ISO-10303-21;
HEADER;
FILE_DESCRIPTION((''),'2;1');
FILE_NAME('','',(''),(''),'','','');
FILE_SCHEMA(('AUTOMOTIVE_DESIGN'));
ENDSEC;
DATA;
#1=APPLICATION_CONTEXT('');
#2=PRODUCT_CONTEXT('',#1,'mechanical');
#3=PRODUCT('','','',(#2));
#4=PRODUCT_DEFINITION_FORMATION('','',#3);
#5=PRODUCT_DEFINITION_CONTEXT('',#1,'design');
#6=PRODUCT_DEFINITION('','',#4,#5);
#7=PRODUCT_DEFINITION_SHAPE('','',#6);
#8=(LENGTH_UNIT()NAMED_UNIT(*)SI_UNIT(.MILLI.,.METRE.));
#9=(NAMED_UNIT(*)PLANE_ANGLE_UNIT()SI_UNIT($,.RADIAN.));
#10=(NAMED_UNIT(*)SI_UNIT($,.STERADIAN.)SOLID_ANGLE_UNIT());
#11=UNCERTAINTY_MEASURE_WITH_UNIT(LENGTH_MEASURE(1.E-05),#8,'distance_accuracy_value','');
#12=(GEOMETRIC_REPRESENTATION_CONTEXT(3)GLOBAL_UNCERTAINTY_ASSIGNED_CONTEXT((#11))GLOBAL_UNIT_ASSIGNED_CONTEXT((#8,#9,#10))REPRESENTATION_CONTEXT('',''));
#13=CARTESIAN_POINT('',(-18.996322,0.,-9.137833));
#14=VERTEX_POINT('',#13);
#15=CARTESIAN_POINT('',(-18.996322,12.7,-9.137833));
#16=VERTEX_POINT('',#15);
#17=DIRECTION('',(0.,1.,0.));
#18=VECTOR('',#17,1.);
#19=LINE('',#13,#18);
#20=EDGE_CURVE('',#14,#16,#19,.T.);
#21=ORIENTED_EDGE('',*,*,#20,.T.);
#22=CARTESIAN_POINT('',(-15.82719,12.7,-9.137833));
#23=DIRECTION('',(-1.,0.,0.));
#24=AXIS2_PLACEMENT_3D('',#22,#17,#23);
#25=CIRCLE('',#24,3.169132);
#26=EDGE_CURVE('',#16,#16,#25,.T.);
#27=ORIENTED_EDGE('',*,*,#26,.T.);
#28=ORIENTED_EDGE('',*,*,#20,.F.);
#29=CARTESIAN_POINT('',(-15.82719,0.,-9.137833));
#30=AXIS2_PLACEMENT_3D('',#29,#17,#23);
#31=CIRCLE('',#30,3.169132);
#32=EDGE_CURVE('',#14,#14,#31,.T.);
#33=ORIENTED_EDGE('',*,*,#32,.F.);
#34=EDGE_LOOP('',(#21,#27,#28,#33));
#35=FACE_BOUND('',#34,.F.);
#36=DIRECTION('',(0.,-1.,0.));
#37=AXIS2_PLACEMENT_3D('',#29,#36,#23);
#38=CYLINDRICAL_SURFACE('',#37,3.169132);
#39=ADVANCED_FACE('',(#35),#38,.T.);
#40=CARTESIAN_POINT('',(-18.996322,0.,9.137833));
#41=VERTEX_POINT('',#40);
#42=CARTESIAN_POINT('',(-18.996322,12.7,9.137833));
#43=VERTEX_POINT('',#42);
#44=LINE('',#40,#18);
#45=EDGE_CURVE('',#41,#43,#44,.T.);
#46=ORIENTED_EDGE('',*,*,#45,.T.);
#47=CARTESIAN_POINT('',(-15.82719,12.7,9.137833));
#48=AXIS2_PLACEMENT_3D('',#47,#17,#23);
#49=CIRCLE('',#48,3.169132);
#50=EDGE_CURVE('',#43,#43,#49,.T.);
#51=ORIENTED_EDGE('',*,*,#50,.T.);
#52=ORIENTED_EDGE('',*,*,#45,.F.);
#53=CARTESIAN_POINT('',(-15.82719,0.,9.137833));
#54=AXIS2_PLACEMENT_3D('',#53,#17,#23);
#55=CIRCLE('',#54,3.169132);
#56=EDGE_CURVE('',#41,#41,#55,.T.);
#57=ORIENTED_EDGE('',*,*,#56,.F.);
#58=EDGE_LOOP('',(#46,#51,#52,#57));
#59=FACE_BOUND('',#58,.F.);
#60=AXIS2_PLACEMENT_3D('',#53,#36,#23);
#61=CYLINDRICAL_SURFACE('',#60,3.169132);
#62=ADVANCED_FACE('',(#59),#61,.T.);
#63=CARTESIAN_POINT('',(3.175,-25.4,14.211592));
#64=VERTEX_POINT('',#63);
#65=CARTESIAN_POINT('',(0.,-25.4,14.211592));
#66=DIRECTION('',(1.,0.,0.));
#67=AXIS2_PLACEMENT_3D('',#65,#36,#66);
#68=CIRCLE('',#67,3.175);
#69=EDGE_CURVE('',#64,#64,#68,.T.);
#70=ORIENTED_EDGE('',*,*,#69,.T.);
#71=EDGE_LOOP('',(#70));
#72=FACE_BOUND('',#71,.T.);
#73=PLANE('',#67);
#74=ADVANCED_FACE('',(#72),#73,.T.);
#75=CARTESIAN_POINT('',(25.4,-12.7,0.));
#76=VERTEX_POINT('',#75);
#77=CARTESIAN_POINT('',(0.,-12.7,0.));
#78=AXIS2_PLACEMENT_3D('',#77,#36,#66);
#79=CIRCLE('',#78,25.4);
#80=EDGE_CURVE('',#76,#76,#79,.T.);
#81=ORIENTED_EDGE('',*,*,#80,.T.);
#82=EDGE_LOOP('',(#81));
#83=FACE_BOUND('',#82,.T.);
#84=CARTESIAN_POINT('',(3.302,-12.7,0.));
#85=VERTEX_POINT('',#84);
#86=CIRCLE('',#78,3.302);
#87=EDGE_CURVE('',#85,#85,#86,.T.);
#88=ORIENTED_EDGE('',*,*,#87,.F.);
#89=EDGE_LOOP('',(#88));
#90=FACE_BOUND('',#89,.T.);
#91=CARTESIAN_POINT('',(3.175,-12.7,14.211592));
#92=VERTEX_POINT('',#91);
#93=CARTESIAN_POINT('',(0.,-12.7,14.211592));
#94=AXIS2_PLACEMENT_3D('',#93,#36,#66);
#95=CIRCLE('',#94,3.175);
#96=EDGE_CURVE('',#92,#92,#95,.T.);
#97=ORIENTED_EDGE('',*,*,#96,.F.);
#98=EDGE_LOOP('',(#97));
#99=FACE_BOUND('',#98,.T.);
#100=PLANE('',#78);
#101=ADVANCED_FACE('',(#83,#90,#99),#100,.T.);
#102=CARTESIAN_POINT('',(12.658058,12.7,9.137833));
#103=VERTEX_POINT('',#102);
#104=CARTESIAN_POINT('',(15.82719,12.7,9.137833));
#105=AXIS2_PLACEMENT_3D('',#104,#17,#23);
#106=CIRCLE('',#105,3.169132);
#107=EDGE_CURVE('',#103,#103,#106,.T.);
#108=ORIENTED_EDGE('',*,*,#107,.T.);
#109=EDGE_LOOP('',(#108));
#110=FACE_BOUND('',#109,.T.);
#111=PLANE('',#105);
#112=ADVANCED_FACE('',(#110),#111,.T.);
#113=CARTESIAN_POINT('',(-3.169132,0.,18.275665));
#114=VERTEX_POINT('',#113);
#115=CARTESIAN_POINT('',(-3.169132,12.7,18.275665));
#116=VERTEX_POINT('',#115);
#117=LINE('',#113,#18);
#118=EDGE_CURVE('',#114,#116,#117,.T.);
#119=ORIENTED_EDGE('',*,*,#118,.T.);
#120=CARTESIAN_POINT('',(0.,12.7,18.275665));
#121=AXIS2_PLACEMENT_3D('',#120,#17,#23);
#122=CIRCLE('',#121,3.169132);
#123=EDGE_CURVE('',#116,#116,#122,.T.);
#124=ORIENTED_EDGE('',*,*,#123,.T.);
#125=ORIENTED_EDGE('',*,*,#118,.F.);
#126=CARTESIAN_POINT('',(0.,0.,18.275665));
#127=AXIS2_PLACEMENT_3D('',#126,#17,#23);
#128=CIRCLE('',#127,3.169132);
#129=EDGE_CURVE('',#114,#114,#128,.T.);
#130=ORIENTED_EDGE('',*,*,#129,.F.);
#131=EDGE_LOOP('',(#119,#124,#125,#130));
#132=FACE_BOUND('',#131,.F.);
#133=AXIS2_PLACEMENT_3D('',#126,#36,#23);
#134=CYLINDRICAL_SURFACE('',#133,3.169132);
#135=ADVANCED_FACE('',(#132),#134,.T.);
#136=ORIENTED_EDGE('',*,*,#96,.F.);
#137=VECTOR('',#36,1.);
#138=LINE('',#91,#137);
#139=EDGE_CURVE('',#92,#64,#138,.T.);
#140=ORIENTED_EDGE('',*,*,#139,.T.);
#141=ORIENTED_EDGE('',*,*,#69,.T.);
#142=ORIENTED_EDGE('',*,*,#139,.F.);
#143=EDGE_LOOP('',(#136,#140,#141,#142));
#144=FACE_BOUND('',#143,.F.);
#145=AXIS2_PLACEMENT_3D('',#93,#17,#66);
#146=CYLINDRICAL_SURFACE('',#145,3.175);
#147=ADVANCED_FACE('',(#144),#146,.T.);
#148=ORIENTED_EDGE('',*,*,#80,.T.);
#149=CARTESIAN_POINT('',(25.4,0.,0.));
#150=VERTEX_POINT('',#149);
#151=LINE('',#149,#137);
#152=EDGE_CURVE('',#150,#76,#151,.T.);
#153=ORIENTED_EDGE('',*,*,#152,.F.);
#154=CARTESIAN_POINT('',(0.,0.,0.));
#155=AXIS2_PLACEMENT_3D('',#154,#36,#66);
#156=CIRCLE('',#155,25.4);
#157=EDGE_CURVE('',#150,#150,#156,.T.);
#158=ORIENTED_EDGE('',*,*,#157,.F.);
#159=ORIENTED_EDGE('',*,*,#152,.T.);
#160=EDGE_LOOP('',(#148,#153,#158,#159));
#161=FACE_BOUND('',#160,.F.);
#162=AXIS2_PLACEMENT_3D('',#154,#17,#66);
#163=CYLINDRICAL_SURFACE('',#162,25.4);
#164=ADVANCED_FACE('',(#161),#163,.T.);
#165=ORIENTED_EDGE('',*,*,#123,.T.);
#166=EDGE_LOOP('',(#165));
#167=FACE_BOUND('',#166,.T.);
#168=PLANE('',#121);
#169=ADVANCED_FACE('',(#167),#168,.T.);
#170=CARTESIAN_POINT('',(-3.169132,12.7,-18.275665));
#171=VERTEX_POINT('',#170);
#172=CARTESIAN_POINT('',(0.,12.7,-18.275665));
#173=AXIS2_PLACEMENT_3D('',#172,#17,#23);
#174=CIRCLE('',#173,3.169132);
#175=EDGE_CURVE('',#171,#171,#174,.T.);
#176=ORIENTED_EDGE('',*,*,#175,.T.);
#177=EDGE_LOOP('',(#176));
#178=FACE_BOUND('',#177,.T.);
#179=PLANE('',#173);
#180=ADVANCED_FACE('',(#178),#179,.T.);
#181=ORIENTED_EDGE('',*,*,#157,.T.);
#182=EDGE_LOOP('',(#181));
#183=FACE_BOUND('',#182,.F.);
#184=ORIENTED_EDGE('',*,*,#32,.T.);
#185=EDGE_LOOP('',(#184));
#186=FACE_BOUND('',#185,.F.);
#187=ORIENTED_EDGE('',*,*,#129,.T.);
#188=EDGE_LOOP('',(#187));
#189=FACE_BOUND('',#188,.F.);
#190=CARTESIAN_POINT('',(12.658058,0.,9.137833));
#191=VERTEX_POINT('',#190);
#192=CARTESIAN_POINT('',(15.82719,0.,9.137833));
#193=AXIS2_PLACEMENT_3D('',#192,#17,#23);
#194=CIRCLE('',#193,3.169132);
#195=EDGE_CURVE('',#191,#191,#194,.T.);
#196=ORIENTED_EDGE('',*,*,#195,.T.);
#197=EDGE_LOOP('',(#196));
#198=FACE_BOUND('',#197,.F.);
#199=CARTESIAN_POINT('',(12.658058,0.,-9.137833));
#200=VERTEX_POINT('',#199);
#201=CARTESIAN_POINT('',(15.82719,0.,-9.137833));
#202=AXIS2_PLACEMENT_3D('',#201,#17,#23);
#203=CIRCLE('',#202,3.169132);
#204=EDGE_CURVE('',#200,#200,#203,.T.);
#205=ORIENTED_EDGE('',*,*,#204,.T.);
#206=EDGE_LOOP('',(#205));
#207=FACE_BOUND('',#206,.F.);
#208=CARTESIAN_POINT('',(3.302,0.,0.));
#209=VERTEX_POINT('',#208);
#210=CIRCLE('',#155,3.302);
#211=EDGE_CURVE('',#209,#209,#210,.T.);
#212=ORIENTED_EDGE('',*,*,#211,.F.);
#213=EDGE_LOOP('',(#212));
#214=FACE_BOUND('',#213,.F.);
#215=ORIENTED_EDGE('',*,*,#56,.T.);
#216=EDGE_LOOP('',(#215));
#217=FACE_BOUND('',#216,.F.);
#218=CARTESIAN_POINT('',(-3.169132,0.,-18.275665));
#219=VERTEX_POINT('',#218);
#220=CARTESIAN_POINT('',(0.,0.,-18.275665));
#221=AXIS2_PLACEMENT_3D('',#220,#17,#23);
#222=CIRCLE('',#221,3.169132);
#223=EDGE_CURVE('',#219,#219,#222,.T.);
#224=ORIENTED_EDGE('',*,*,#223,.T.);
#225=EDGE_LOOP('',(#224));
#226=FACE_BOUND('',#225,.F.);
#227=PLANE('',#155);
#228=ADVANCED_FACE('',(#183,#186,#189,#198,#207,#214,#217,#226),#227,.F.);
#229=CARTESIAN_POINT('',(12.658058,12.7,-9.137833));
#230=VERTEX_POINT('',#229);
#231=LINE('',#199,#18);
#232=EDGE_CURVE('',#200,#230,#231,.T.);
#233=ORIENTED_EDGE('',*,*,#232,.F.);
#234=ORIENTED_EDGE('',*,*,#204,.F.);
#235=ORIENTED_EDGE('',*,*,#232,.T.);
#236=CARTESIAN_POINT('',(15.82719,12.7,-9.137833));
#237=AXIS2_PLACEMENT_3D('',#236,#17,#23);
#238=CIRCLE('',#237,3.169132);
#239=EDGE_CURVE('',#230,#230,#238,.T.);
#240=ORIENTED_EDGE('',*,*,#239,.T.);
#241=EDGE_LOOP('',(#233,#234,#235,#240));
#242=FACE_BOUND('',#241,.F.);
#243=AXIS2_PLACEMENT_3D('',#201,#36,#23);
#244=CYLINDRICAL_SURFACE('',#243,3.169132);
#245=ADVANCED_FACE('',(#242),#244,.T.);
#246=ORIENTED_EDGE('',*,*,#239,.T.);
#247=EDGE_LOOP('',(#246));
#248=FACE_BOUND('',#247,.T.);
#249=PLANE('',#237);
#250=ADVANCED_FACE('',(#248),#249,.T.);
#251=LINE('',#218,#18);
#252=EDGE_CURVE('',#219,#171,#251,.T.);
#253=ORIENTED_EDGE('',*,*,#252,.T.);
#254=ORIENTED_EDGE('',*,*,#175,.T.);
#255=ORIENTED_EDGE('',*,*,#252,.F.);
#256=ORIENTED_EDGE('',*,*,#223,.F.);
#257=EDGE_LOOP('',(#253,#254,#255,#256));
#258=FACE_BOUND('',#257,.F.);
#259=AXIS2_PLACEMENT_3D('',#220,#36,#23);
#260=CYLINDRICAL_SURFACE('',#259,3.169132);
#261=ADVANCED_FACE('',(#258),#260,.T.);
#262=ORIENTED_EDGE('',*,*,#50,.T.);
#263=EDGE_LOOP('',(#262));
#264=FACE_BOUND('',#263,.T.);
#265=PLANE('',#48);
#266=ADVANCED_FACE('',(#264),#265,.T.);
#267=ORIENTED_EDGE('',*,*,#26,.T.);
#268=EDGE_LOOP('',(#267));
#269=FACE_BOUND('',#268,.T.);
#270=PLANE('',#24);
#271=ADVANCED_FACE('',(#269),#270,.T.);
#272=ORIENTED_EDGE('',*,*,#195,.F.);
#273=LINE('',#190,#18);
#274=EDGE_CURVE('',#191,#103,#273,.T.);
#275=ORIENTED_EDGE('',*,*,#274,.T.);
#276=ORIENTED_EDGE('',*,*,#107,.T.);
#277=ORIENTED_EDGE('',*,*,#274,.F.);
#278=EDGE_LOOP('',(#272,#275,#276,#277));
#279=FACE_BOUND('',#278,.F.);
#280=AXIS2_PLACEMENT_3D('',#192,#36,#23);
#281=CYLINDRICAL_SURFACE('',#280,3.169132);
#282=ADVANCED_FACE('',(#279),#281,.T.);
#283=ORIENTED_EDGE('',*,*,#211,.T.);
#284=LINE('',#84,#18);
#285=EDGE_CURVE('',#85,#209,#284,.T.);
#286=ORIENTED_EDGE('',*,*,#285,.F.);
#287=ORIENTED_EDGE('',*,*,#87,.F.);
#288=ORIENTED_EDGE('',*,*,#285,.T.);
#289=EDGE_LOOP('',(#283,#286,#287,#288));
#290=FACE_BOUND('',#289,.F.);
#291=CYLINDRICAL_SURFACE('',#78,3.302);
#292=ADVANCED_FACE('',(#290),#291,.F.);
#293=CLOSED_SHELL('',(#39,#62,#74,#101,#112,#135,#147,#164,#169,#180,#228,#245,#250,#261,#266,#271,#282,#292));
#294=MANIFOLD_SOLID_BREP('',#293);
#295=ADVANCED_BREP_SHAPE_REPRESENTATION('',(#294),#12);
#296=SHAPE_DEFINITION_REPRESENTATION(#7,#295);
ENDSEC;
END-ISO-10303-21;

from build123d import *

# Parameters (mm, degrees)
F0_R     = 25.4
F1_DEPTH = 12.7
F2_R     = 3.302
F3_DEPTH = 12.7
F4_R     = 3.175
F5_DEPTH = 12.7
F6_R     = 3.169132
F7_DEPTH = 12.7


with BuildPart() as f1:
    # F0 (on Front) → F1 (new body)
    with BuildSketch(Plane.XZ):
        Circle(F0_R)
    extrude(amount=F1_DEPTH)

    # F2 (on face) → F3 (cut)
    with BuildSketch(Plane.XZ.offset(12.7)):
        Circle(F2_R)
    extrude(amount=-F3_DEPTH, mode=Mode.SUBTRACT)

    # F4 (on face) → F5 (join)
    with BuildSketch(Plane.XZ.offset(12.7)):
        with Locations((0, 14.211592)):
            Circle(F4_R)
    extrude(amount=F5_DEPTH)

    # F6 (on face) → F7 (join)
    with BuildSketch(Plane(origin=(0, 0, 0), x_dir=(-1, 0, 0), z_dir=(0, 1, 0))):
        with Locations((0, 18.275665)):
            Circle(F6_R)
        with Locations((-15.82719, 9.137833)):
            Circle(F6_R)
        with Locations((-15.82719, -9.137833)):
            Circle(F6_R)
        with Locations((0, -18.275665)):
            Circle(F6_R)
        with Locations((15.82719, -9.137833)):
            Circle(F6_R)
        with Locations((15.82719, 9.137833)):
            Circle(F6_R)
    extrude(amount=F7_DEPTH)


solid = f1.part
